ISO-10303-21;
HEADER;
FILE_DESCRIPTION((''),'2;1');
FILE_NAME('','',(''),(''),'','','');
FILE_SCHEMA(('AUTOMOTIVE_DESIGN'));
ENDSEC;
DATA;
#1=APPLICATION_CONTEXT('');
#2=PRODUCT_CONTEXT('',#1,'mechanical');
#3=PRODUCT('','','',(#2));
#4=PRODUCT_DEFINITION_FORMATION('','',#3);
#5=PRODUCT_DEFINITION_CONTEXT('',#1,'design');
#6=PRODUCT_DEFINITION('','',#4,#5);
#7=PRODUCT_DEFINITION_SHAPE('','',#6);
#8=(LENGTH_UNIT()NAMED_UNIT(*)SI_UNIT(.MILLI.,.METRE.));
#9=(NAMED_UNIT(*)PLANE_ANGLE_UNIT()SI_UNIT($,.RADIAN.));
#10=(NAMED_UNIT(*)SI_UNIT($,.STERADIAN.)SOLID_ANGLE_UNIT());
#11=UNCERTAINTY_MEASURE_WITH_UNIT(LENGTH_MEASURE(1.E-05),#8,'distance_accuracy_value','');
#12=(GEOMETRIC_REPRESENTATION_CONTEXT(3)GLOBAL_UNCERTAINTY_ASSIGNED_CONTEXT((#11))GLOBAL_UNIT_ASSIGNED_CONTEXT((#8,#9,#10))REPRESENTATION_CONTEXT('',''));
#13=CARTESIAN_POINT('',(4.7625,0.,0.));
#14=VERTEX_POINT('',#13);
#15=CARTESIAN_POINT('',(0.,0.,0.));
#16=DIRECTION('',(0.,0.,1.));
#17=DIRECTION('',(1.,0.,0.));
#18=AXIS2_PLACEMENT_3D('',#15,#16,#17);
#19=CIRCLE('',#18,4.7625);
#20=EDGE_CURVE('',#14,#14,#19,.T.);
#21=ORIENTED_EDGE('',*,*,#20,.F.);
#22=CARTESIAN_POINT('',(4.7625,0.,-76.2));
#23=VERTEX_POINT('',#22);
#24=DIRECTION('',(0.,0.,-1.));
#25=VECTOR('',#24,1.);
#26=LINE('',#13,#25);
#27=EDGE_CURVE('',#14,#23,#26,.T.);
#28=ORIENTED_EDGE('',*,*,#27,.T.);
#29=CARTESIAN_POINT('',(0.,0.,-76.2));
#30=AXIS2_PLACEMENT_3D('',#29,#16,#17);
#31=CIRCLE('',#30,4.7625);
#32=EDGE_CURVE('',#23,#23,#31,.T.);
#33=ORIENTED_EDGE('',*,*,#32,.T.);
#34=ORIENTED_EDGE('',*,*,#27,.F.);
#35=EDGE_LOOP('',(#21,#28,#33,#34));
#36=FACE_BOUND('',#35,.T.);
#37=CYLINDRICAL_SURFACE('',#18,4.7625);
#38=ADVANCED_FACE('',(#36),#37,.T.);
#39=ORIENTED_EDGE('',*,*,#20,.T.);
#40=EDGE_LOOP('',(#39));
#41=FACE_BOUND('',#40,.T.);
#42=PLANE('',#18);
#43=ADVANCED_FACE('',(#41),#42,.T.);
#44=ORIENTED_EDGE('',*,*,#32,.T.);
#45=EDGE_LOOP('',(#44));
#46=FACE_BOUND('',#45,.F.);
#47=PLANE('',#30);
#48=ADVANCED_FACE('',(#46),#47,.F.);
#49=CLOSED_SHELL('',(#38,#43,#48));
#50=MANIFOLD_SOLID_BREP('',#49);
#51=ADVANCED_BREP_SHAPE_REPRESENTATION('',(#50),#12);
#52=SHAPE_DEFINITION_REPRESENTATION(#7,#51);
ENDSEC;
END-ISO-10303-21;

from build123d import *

# Parameters (mm, degrees)
SKETCH1_R           = 4.7625
BOSS_EXTRUDE1_DEPTH = 76.2


with BuildPart() as part:
    # Sketch1 → Boss-Extrude1 (new body)
    with BuildSketch(Plane.XY):
        Circle(SKETCH1_R)
    extrude(amount=-BOSS_EXTRUDE1_DEPTH)


solid = part.part
